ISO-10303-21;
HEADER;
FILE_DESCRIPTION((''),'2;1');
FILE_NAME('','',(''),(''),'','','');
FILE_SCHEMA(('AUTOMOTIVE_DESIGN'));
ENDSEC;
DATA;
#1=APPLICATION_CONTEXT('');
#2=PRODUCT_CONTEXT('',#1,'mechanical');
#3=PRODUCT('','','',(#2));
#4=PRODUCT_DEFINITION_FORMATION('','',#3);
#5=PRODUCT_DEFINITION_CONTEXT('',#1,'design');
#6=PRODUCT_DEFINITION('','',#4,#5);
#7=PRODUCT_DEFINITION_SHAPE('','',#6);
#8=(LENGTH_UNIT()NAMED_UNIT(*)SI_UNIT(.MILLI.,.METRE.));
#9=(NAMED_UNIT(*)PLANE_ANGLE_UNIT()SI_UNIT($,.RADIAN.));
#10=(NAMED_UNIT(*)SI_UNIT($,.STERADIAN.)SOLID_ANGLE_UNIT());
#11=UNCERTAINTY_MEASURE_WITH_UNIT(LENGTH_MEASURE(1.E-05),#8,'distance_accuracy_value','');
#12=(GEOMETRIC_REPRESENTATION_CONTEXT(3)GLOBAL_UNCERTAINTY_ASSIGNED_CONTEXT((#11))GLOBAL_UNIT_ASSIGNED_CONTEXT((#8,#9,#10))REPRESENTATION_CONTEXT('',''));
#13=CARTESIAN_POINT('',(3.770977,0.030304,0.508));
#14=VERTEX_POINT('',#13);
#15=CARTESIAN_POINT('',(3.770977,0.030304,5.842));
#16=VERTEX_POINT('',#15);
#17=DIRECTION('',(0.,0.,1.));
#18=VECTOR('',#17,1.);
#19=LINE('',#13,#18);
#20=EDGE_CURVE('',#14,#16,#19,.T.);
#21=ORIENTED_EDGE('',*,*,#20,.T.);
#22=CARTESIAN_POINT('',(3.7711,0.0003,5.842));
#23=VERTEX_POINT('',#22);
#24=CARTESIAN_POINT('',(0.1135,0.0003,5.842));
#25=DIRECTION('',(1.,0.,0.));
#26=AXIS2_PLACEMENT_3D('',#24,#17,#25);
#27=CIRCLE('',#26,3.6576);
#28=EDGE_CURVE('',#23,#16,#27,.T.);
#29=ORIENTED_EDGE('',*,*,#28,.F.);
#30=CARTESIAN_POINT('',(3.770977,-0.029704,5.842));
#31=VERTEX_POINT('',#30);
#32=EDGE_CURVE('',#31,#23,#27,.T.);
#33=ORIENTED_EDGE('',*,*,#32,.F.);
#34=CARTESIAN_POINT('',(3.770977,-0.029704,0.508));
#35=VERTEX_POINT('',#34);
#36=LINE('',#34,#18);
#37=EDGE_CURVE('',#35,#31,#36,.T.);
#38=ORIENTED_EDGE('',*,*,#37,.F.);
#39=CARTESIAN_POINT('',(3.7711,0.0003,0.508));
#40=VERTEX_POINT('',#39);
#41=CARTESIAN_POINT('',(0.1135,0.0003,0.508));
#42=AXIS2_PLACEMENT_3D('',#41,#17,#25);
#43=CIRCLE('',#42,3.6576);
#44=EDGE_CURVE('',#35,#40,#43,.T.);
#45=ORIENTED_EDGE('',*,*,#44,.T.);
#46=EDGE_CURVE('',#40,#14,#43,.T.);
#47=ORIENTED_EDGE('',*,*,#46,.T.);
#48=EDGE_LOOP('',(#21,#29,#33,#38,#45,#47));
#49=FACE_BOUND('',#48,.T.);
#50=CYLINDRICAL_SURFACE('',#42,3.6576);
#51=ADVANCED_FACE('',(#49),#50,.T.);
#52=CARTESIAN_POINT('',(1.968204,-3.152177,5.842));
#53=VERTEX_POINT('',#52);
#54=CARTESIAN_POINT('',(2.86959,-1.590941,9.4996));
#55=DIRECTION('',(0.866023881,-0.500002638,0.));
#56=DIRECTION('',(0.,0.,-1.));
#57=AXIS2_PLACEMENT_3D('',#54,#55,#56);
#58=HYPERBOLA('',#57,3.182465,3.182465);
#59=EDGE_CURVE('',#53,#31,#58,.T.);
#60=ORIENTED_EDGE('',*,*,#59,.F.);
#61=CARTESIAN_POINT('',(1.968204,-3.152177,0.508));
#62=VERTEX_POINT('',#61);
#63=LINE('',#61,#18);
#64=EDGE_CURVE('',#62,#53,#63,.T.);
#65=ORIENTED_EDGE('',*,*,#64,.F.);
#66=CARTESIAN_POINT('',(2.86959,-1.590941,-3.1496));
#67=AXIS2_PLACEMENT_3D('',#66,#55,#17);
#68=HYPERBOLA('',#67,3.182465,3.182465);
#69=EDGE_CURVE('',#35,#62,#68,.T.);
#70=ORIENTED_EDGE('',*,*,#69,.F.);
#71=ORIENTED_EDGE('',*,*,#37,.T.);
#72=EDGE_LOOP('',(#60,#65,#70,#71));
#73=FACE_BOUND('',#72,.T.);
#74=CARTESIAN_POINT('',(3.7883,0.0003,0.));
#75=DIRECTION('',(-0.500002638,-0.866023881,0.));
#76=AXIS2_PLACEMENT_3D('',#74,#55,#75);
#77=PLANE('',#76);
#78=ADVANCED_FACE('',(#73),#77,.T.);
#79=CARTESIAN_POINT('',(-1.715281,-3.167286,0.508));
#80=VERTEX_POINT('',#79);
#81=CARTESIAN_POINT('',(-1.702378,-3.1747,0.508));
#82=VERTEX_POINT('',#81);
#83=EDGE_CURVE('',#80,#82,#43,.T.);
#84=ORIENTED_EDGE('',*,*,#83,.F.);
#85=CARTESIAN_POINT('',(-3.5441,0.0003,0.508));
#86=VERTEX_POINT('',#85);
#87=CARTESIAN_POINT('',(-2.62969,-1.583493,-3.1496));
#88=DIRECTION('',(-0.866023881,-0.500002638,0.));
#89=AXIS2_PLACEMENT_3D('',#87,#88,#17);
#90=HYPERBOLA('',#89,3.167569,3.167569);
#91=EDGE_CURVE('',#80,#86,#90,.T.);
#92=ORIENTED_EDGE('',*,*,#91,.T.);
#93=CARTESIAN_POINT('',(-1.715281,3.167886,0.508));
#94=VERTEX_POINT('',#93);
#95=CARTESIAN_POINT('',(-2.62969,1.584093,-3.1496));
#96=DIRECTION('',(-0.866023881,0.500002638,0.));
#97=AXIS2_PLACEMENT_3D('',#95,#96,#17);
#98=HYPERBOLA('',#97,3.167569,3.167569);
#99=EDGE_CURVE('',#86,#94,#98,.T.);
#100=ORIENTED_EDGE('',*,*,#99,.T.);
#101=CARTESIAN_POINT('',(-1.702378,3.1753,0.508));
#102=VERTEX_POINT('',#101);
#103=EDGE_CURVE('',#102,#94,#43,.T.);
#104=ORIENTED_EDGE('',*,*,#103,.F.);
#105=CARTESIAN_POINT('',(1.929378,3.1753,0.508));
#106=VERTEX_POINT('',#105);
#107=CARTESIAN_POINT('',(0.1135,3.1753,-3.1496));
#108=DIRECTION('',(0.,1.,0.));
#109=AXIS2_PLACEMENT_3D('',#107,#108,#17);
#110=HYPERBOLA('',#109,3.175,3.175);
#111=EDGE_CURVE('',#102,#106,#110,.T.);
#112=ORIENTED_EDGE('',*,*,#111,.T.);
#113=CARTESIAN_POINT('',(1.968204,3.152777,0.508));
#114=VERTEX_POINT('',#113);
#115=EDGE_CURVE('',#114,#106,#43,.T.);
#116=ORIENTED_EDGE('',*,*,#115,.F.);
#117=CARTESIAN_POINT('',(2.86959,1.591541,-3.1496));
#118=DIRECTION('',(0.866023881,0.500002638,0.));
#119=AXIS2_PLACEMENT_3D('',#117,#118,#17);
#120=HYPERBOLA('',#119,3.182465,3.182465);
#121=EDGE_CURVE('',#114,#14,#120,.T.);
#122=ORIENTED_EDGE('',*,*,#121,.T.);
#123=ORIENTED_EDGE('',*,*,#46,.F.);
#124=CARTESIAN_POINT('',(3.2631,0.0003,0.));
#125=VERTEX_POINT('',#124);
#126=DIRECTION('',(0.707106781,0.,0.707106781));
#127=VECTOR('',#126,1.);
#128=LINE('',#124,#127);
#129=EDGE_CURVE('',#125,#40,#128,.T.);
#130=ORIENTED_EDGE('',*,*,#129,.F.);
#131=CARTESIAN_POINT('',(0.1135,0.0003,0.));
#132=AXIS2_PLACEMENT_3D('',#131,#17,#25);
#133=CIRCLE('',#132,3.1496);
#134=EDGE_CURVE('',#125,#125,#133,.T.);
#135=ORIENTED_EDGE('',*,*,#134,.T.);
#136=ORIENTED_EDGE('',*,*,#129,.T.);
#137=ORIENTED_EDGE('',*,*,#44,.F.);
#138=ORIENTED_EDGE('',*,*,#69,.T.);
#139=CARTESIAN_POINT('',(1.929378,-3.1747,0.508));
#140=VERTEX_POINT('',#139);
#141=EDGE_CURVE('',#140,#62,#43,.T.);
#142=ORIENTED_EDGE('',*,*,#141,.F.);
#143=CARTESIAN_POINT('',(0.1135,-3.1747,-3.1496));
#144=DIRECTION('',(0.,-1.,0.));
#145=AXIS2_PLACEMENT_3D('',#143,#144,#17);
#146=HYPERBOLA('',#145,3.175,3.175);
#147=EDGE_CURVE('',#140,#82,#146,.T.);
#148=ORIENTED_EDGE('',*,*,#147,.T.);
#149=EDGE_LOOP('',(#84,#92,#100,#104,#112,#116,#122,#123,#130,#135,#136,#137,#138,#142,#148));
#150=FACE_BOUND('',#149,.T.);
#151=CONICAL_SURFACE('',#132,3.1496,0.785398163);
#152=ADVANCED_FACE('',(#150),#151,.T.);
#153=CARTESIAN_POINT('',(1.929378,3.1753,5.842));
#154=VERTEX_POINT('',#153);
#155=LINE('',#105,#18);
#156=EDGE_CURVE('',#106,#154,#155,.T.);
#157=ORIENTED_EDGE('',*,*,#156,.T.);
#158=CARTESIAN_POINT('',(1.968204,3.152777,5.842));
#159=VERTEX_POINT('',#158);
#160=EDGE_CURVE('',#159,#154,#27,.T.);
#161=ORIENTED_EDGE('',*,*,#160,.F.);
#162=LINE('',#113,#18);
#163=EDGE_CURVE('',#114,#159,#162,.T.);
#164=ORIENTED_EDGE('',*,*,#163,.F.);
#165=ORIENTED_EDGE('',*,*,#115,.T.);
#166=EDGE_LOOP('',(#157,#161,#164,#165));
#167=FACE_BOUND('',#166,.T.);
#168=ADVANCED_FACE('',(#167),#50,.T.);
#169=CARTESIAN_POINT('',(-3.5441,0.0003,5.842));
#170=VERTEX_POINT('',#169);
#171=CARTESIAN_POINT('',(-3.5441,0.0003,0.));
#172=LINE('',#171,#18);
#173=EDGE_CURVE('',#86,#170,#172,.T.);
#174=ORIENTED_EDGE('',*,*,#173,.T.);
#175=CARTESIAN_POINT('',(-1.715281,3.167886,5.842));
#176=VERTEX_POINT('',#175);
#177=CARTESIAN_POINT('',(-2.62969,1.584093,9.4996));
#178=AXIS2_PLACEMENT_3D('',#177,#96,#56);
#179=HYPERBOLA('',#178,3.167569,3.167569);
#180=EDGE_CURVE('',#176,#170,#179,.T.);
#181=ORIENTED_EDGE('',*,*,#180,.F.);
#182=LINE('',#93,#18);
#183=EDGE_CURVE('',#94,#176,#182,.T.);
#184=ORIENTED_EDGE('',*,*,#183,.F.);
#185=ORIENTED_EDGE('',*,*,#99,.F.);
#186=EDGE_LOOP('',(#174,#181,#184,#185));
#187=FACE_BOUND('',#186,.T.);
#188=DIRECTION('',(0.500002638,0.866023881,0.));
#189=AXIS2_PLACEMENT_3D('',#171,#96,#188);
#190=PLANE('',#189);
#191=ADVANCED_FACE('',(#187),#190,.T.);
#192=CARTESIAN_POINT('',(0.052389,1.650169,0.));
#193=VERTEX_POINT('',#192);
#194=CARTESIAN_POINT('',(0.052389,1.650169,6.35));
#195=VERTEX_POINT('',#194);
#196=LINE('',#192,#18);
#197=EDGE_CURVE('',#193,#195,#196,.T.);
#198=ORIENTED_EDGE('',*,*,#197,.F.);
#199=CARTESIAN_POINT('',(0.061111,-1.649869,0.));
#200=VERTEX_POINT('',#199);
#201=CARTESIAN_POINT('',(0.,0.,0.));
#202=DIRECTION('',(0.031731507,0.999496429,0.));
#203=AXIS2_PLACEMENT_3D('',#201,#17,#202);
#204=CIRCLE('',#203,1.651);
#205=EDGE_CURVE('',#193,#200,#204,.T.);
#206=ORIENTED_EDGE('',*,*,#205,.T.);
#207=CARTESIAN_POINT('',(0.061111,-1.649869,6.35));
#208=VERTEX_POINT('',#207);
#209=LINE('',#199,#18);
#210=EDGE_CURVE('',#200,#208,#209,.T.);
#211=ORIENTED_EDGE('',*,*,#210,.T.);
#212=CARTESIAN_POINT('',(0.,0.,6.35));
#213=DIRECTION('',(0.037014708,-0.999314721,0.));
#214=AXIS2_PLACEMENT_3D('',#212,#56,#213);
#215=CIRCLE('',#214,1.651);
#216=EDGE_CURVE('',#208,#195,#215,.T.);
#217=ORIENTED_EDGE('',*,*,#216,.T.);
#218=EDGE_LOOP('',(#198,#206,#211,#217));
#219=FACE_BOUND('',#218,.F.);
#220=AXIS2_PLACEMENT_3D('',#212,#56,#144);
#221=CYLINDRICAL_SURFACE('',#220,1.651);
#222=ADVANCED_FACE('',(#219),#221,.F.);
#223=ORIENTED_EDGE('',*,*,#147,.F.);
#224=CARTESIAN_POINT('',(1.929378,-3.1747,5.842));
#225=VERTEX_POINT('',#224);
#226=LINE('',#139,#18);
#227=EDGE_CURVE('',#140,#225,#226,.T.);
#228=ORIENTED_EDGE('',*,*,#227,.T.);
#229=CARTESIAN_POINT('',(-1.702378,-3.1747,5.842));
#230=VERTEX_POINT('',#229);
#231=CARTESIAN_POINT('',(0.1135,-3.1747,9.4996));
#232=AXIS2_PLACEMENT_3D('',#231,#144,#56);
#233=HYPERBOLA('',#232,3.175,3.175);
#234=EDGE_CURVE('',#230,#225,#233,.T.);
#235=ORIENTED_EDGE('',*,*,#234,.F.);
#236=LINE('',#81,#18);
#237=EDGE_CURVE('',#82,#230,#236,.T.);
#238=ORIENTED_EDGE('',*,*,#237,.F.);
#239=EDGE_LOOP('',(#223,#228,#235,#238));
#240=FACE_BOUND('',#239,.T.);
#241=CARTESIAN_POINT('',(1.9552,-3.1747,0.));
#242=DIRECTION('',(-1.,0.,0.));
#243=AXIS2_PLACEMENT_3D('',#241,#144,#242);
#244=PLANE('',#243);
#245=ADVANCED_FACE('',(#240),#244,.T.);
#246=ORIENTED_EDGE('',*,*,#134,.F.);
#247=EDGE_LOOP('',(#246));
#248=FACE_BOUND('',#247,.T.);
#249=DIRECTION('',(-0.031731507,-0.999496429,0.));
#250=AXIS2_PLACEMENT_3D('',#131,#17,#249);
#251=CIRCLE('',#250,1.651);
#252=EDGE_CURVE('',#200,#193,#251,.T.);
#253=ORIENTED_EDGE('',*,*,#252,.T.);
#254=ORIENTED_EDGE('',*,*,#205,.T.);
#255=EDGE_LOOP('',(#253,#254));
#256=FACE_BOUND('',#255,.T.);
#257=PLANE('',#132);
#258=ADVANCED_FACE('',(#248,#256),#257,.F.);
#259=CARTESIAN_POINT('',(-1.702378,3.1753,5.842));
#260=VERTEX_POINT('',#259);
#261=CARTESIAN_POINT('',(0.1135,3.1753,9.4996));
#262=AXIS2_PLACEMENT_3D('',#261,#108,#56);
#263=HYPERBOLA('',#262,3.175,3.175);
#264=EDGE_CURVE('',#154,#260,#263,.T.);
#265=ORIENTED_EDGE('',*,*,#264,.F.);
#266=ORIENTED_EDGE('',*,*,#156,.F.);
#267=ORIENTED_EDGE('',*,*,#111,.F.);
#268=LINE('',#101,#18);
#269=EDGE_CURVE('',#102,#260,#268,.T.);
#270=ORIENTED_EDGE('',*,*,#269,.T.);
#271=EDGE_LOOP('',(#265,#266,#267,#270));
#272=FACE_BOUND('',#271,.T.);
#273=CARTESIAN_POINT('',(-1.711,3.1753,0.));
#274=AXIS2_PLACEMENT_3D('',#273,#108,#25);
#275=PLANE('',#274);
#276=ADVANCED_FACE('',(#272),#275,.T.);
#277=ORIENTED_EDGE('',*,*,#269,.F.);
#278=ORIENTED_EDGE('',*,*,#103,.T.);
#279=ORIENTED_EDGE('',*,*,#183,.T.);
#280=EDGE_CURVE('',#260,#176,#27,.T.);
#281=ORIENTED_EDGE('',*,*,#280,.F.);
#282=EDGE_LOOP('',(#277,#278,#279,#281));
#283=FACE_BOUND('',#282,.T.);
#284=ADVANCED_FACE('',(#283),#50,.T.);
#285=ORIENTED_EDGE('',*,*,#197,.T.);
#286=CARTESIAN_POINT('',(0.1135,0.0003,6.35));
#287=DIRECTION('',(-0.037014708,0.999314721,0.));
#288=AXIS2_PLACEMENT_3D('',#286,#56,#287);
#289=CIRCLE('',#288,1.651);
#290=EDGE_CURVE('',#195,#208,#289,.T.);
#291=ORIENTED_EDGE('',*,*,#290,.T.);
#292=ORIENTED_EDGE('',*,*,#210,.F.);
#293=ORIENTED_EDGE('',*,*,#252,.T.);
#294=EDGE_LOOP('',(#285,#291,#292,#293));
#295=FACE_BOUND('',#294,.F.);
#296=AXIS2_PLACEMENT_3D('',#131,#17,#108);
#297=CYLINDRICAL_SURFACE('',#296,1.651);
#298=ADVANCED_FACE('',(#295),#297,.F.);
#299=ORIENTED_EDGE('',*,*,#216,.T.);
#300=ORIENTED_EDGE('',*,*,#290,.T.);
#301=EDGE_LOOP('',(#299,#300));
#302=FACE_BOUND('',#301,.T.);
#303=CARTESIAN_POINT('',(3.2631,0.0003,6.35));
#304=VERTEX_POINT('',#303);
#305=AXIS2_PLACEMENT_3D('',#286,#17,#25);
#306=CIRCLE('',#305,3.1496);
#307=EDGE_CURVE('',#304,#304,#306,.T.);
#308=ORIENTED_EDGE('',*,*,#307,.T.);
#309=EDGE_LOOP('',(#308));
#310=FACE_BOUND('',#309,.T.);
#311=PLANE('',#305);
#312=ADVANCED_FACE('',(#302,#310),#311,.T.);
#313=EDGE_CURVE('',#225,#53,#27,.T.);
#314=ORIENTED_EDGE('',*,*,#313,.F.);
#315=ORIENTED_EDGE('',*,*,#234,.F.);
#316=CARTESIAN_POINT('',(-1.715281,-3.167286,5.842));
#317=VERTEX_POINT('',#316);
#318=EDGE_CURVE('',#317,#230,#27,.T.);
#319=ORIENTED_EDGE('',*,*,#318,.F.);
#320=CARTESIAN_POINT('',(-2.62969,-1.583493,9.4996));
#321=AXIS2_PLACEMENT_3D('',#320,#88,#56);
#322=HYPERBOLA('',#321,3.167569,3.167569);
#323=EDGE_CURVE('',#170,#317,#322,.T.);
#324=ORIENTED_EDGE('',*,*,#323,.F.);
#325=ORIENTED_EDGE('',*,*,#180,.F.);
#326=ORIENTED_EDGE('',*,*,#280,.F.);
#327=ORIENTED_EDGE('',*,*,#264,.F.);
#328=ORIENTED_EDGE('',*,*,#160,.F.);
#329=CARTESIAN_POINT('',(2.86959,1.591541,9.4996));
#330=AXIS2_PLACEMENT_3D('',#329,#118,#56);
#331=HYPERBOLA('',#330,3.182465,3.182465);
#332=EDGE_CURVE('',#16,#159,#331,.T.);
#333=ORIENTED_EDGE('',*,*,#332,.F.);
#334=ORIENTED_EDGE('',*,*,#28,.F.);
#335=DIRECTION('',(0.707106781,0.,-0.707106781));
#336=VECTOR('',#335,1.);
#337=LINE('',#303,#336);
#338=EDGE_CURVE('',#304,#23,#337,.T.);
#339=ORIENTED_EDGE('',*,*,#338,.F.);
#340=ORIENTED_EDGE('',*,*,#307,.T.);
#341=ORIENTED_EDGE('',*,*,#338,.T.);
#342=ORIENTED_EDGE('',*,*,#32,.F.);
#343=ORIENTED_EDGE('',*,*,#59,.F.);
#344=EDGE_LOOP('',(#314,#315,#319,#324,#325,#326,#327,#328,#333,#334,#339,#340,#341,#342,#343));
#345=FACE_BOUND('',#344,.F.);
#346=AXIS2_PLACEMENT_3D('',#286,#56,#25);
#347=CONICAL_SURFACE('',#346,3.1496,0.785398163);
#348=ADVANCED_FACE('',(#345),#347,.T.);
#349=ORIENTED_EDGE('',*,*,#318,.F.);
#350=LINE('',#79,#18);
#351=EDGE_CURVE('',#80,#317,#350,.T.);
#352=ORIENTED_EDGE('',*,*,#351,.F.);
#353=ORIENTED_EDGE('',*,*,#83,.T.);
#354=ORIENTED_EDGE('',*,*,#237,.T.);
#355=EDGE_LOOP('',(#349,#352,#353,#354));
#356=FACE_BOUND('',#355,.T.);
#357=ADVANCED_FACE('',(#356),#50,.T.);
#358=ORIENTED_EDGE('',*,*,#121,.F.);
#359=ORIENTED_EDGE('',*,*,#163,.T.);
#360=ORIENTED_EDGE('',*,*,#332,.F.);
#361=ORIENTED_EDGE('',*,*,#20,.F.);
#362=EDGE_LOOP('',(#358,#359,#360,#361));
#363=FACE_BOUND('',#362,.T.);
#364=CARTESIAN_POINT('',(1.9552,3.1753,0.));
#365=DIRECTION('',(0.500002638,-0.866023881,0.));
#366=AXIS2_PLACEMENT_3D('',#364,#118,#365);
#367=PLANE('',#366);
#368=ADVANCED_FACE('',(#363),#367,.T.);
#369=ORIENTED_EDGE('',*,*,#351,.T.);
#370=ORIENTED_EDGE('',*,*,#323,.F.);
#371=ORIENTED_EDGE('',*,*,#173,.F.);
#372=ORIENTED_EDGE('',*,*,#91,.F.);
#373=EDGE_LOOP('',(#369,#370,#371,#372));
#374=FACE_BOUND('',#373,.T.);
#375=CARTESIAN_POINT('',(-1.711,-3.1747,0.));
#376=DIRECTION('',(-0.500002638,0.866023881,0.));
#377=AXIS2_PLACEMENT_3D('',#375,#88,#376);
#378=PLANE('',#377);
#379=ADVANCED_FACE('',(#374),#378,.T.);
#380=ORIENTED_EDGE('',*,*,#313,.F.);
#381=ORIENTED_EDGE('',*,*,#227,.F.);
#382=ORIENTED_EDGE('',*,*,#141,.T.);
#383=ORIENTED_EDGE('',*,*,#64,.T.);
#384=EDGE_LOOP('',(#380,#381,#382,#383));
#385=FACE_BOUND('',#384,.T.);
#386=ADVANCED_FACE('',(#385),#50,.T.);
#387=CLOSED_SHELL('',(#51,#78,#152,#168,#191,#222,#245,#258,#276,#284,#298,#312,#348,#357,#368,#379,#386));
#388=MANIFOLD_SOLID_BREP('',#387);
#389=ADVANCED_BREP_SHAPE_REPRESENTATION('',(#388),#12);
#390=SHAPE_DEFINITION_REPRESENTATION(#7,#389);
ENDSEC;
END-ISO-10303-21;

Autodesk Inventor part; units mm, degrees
ref_plane "YZ Plane" through (0, 0, 0) normal (1, 0, 0) x (0, 1, 0)
sketch "Sketch1" plane through (0, 0, 0) normal (0, 0, 1) x (1, 0, 0)
  line L0 (1.9552, -3.1747) -> (-1.711, -3.1747)
  line L1 (-1.711, -3.1747) -> (-3.5441, 0.0003)
  line L2 (-3.5441, 0.0003) -> (-1.711, 3.1753)
  line L3 (-1.711, 3.1753) -> (1.9552, 3.1753)
  line L4 (1.9552, 3.1753) -> (3.7883, 0.0003)
  line L5 (3.7883, 0.0003) -> (1.9552, -3.1747)
  point P0 (0.1221, 0.0003)
  dimension "d0" = 6.35
extrude "Extrusion1" add sketch "Sketch1" along normal blind 6.35
ref_plane "Work Plane1" through (-1.711, 0.0003, 0) normal (0, 1, 0) x (1, 0, 0)
sketch "Sketch3" plane through (-1.711, 0.0003, 0) normal (0, 1, 0) x (1, 0, 0)
  line L0 (-1.3251, 0) -> (4.9741, 0)
  line L1 (5.4821, -0.508) -> (5.4821, -5.842)
  line L2 (-1.8331, -5.842) -> (-1.8331, -0.508)
  line L3 (-1.8331, -0.508) -> (-1.3251, 0)
  line L4 (4.9741, 0) -> (5.4821, -0.508)
  line L5 (-1.8331, 0) -> (-1.8331, -6.35) projected
  line L6 (3.6662, 0) -> (5.4993, 0) projected
  line L7 (1.8245, 0) -> (1.8245, -6.35)
  line L8 (0, -6.35) -> (-1.8331, -6.35) projected
  line L9 (5.4993, -6.35) -> (3.6662, -6.35) projected
  line L10 (3.6662, -6.35) -> (0, -6.35) projected
  line L11 (-1.3251, -6.35) -> (-1.8331, -5.842)
  line L12 (4.9741, -6.35) -> (5.4821, -5.842)
  point P0 (-1.8331, 0)
  point P1 (5.4821, 0)
  point P2 (5.4821, -6.35)
  dimension "d5" = 0.508
  dimension "d6" = 0.508
  dimension "d7" = 0.508
  dimension "d8" = 0.508
  dimension "d16" = 0
  dimension "d46" = 0.508
  dimension "d47" = 0.508
  dimension "d48" = 0.508
  dimension "d49" = 0.508
revolve "Revolution1" cut sketch "Sketch3" angle 360 about axis through (0.1135, 0.0003, 0) along (0, 0, 1) keep common part contours L0 L4 L1 L12 L9 L10 L7
sketch "Sketch6" plane through (0.1135, 0.0003, 0) normal (0, 0, -1) x (-1, 0, 0)
  circle A0 centre (0, 0) radius 3.1496 projected
hole "Hole3" at (0.1135, 0.0003, 0) direction (0, 0, 1) diameter 3.302 depth 6.35 tip angle 118 thread size "8-32 UNC" class "2B" standard "ANSI Unified Screw Threads"
sketch "Sketch7" plane through (0, 0, 6.35) normal (0, 0, 1) x (1, 0, 0)
  point P0 (0, 0)
hole "Hole4" at (0, 0, 6.35) direction (0, 0, -1) diameter 3.302 depth 6.35 tip angle 118 thread size "8-32 UNC" class "2B" standard "ANSI Unified Screw Threads"
ref_plane "Work Plane2" through (0.1135, 0.0003, 3.175) normal (0, 0, -1) x (-1, 0, 0)
equation "\"d6\" = d5"
equation "\"d7\" = d5"
equation "\"d8\" = d7"
properties part number "0.25 inch Standoff" material "Steel"
